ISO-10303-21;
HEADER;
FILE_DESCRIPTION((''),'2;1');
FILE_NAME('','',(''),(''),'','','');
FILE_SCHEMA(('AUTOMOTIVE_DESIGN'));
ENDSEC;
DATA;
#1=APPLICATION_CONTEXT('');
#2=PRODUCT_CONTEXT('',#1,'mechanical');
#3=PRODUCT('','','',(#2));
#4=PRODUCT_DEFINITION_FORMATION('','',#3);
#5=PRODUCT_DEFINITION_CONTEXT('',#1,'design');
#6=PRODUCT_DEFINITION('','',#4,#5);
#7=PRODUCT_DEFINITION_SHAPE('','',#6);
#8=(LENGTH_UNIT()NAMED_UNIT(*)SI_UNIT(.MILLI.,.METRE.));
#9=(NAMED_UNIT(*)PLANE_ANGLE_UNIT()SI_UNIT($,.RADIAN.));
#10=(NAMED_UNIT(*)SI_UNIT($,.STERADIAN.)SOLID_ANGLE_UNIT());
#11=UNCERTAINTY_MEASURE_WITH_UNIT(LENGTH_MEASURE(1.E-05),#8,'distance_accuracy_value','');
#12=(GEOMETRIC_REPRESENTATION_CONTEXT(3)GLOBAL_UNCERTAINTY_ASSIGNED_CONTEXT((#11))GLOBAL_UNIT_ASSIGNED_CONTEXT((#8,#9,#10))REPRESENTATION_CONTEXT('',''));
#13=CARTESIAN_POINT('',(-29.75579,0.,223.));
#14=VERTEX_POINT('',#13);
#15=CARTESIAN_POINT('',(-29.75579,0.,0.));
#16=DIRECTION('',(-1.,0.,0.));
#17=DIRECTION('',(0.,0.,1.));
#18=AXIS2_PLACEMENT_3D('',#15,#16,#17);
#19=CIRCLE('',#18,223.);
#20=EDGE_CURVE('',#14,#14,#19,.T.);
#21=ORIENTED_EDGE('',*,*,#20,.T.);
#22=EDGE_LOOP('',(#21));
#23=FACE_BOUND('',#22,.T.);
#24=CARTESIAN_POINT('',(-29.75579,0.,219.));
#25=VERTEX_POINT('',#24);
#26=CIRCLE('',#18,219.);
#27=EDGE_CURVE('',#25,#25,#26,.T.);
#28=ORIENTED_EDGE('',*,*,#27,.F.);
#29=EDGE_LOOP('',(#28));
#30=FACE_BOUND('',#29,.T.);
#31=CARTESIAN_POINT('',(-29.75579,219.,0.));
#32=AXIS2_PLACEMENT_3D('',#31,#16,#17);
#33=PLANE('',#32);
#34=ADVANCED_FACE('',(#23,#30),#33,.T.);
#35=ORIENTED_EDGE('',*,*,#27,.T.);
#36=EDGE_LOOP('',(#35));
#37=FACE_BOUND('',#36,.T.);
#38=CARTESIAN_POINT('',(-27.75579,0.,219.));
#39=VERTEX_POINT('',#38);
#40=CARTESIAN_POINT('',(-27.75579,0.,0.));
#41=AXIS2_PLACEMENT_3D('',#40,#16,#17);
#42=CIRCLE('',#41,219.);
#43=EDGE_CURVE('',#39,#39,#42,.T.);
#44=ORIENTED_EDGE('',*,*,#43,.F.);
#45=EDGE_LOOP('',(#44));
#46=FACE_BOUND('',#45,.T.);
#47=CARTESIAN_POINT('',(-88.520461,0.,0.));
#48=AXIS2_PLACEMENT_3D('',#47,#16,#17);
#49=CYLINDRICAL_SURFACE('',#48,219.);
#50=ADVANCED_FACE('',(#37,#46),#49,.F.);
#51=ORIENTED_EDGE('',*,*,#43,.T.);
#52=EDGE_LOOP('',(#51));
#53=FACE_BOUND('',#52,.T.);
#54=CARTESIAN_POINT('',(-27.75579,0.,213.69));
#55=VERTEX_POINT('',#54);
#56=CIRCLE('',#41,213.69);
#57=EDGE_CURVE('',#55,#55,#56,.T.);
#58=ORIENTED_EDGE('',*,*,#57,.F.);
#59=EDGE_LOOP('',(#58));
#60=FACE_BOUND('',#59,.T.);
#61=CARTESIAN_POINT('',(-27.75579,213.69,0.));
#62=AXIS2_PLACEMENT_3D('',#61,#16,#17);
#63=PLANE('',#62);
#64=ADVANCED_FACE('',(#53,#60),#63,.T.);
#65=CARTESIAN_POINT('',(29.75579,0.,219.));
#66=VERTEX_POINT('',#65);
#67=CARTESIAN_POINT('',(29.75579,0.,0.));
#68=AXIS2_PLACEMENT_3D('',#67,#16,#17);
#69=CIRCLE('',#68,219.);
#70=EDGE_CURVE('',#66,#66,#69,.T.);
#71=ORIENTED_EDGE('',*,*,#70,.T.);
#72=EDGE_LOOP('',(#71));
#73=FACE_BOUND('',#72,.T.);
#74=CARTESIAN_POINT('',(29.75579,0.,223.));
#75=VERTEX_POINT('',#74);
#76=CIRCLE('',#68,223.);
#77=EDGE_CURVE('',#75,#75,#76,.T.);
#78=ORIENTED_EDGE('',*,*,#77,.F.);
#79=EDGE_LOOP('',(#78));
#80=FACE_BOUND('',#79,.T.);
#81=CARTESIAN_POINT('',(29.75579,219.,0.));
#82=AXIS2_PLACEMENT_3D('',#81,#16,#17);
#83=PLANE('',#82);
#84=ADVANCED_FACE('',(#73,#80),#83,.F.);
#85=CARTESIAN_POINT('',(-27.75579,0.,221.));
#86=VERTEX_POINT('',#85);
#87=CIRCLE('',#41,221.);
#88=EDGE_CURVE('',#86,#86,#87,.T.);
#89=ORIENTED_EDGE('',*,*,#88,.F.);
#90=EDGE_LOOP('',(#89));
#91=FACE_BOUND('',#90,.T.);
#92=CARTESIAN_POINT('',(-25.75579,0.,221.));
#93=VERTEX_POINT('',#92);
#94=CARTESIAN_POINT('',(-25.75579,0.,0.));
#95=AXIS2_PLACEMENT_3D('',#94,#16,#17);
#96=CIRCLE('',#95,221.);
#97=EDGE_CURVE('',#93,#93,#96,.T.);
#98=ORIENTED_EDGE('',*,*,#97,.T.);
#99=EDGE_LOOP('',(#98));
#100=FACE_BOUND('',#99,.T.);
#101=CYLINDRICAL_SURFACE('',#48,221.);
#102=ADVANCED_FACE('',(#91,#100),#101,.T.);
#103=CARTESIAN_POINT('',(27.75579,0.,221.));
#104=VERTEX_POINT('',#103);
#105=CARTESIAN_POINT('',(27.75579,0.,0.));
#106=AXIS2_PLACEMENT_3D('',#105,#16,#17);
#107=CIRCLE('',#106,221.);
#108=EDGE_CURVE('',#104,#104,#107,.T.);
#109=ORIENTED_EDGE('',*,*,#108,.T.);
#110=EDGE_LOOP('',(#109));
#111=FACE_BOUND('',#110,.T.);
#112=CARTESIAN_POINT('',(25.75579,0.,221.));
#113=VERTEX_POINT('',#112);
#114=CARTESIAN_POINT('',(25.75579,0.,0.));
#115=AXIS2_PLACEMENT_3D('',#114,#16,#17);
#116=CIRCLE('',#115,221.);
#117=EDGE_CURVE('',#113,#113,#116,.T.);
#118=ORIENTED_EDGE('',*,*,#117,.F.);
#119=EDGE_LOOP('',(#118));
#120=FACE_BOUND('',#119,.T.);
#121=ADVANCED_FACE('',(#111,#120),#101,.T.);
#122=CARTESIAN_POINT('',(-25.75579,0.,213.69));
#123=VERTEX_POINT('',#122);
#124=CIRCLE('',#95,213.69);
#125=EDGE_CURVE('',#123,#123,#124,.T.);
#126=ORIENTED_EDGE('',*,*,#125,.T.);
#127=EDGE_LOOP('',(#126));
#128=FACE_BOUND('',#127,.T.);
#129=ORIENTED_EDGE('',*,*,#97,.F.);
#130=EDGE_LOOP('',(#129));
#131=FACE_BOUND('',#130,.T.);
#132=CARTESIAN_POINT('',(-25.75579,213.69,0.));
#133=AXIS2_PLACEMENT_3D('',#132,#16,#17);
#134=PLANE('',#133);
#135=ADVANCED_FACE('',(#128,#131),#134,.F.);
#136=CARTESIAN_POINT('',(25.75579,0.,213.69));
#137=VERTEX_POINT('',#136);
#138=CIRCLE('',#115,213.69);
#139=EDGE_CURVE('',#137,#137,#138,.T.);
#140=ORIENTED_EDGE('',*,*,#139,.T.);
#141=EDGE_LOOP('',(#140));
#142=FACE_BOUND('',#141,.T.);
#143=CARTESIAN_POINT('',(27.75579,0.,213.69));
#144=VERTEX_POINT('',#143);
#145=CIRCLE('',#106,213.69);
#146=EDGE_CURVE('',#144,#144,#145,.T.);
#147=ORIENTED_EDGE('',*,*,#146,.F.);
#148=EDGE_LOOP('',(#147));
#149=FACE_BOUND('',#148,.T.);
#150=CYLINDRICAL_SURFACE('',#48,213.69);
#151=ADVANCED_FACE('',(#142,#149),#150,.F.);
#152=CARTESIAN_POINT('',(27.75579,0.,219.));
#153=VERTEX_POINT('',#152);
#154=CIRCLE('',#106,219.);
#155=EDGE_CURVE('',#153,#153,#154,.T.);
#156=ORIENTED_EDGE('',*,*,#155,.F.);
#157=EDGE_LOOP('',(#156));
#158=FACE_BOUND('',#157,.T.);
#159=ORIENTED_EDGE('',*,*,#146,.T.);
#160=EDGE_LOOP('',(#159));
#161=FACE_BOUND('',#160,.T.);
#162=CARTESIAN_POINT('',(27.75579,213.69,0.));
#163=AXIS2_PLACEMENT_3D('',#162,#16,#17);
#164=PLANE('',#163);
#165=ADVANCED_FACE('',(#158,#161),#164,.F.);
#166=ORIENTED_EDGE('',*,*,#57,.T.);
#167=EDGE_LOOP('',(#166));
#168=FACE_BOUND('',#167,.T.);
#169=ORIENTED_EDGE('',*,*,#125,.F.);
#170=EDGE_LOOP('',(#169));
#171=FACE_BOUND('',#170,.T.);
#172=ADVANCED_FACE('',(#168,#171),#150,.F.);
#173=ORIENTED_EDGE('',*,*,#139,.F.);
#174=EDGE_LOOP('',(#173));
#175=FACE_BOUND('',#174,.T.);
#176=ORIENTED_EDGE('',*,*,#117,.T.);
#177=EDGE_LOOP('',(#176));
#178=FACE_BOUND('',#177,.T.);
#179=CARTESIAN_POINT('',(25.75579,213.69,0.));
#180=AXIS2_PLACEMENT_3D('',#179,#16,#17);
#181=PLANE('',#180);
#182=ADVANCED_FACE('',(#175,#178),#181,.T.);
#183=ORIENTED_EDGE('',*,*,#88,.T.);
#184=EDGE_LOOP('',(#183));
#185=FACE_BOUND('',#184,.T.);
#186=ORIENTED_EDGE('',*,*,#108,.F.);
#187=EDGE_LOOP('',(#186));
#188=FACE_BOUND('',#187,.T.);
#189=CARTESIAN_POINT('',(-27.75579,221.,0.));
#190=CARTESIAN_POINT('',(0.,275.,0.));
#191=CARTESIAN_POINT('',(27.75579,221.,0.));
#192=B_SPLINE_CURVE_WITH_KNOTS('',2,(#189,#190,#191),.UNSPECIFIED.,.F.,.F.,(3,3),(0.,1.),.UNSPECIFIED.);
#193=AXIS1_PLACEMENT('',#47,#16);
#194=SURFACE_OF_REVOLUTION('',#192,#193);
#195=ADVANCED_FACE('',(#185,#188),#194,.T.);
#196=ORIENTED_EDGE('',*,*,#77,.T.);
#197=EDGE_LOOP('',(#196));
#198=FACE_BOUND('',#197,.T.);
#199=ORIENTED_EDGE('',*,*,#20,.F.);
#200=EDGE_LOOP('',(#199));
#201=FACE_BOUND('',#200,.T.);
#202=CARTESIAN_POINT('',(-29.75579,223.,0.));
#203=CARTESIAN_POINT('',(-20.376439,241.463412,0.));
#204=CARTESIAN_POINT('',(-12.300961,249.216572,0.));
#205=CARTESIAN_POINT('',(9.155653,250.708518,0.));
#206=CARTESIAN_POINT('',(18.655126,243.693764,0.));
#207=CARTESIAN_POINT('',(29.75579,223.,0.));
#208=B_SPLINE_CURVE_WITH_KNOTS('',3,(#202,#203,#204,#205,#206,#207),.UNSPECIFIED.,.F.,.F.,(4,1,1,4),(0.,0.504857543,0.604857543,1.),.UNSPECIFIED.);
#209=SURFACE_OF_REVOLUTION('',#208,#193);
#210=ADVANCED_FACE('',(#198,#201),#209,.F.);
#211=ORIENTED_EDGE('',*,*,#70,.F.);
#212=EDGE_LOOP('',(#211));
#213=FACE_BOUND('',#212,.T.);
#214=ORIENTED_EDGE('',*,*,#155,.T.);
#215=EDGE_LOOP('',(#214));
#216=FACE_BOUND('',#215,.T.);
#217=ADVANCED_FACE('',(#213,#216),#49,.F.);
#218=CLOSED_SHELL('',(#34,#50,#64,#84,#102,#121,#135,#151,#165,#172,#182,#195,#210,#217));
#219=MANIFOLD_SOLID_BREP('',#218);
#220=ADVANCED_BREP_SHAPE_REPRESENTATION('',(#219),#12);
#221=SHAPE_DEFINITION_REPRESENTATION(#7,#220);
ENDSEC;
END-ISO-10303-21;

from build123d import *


with BuildPart() as part:
    # Sketch2 → Revolve2 (revolve)
    with BuildSketch(Plane.XY, mode=Mode.PRIVATE) as revolve2_sk:
        with BuildLine():
            Line((-27.755790387, 213.69), (-27.755790387, 219))
            Line((-27.755790387, 219), (-29.755790387, 219))
            Line((-29.755790387, 219), (-29.755790387, 223))
            add(Edge.make_bspline(
                [(-29.755790387, 223), (-20.376439122, 241.463411519), (-12.300961172, 249.216572011), (9.155653257, 250.708517907), (18.655125598, 243.693763863), (29.755790387, 223)],
                knots=[0, 0, 0, 0, 0.504857543, 0.604857543, 1, 1, 1, 1], degree=3))
            Line((29.755790387, 223), (29.755790387, 219))
            Line((29.755790387, 219), (27.755790387, 219))
            Line((27.755790387, 219), (27.755790387, 213.69))
            Line((27.755790387, 213.69), (25.755790387, 213.69))
            Line((25.755790387, 213.69), (25.755790387, 221))
            Line((25.755790387, 221), (27.755790387, 221))
            add(Edge.make_bspline(
                [(-27.755790387, 221), (0, 275), (27.755790387, 221)],
                knots=[0, 0, 0, 1, 1, 1], degree=2))
            Line((-27.755790387, 221), (-25.755790387, 221))
            Line((-25.755790387, 221), (-25.755790387, 213.69))
            Line((-25.755790387, 213.69), (-27.755790387, 213.69))
        make_face()
    revolve(revolve2_sk.sketch.rotate(Axis((-88.520461427, 0, 0), (1, 0, 0)), 90), axis=Axis((-88.520461427, 0, 0), (1, 0, 0)))


solid = part.part
